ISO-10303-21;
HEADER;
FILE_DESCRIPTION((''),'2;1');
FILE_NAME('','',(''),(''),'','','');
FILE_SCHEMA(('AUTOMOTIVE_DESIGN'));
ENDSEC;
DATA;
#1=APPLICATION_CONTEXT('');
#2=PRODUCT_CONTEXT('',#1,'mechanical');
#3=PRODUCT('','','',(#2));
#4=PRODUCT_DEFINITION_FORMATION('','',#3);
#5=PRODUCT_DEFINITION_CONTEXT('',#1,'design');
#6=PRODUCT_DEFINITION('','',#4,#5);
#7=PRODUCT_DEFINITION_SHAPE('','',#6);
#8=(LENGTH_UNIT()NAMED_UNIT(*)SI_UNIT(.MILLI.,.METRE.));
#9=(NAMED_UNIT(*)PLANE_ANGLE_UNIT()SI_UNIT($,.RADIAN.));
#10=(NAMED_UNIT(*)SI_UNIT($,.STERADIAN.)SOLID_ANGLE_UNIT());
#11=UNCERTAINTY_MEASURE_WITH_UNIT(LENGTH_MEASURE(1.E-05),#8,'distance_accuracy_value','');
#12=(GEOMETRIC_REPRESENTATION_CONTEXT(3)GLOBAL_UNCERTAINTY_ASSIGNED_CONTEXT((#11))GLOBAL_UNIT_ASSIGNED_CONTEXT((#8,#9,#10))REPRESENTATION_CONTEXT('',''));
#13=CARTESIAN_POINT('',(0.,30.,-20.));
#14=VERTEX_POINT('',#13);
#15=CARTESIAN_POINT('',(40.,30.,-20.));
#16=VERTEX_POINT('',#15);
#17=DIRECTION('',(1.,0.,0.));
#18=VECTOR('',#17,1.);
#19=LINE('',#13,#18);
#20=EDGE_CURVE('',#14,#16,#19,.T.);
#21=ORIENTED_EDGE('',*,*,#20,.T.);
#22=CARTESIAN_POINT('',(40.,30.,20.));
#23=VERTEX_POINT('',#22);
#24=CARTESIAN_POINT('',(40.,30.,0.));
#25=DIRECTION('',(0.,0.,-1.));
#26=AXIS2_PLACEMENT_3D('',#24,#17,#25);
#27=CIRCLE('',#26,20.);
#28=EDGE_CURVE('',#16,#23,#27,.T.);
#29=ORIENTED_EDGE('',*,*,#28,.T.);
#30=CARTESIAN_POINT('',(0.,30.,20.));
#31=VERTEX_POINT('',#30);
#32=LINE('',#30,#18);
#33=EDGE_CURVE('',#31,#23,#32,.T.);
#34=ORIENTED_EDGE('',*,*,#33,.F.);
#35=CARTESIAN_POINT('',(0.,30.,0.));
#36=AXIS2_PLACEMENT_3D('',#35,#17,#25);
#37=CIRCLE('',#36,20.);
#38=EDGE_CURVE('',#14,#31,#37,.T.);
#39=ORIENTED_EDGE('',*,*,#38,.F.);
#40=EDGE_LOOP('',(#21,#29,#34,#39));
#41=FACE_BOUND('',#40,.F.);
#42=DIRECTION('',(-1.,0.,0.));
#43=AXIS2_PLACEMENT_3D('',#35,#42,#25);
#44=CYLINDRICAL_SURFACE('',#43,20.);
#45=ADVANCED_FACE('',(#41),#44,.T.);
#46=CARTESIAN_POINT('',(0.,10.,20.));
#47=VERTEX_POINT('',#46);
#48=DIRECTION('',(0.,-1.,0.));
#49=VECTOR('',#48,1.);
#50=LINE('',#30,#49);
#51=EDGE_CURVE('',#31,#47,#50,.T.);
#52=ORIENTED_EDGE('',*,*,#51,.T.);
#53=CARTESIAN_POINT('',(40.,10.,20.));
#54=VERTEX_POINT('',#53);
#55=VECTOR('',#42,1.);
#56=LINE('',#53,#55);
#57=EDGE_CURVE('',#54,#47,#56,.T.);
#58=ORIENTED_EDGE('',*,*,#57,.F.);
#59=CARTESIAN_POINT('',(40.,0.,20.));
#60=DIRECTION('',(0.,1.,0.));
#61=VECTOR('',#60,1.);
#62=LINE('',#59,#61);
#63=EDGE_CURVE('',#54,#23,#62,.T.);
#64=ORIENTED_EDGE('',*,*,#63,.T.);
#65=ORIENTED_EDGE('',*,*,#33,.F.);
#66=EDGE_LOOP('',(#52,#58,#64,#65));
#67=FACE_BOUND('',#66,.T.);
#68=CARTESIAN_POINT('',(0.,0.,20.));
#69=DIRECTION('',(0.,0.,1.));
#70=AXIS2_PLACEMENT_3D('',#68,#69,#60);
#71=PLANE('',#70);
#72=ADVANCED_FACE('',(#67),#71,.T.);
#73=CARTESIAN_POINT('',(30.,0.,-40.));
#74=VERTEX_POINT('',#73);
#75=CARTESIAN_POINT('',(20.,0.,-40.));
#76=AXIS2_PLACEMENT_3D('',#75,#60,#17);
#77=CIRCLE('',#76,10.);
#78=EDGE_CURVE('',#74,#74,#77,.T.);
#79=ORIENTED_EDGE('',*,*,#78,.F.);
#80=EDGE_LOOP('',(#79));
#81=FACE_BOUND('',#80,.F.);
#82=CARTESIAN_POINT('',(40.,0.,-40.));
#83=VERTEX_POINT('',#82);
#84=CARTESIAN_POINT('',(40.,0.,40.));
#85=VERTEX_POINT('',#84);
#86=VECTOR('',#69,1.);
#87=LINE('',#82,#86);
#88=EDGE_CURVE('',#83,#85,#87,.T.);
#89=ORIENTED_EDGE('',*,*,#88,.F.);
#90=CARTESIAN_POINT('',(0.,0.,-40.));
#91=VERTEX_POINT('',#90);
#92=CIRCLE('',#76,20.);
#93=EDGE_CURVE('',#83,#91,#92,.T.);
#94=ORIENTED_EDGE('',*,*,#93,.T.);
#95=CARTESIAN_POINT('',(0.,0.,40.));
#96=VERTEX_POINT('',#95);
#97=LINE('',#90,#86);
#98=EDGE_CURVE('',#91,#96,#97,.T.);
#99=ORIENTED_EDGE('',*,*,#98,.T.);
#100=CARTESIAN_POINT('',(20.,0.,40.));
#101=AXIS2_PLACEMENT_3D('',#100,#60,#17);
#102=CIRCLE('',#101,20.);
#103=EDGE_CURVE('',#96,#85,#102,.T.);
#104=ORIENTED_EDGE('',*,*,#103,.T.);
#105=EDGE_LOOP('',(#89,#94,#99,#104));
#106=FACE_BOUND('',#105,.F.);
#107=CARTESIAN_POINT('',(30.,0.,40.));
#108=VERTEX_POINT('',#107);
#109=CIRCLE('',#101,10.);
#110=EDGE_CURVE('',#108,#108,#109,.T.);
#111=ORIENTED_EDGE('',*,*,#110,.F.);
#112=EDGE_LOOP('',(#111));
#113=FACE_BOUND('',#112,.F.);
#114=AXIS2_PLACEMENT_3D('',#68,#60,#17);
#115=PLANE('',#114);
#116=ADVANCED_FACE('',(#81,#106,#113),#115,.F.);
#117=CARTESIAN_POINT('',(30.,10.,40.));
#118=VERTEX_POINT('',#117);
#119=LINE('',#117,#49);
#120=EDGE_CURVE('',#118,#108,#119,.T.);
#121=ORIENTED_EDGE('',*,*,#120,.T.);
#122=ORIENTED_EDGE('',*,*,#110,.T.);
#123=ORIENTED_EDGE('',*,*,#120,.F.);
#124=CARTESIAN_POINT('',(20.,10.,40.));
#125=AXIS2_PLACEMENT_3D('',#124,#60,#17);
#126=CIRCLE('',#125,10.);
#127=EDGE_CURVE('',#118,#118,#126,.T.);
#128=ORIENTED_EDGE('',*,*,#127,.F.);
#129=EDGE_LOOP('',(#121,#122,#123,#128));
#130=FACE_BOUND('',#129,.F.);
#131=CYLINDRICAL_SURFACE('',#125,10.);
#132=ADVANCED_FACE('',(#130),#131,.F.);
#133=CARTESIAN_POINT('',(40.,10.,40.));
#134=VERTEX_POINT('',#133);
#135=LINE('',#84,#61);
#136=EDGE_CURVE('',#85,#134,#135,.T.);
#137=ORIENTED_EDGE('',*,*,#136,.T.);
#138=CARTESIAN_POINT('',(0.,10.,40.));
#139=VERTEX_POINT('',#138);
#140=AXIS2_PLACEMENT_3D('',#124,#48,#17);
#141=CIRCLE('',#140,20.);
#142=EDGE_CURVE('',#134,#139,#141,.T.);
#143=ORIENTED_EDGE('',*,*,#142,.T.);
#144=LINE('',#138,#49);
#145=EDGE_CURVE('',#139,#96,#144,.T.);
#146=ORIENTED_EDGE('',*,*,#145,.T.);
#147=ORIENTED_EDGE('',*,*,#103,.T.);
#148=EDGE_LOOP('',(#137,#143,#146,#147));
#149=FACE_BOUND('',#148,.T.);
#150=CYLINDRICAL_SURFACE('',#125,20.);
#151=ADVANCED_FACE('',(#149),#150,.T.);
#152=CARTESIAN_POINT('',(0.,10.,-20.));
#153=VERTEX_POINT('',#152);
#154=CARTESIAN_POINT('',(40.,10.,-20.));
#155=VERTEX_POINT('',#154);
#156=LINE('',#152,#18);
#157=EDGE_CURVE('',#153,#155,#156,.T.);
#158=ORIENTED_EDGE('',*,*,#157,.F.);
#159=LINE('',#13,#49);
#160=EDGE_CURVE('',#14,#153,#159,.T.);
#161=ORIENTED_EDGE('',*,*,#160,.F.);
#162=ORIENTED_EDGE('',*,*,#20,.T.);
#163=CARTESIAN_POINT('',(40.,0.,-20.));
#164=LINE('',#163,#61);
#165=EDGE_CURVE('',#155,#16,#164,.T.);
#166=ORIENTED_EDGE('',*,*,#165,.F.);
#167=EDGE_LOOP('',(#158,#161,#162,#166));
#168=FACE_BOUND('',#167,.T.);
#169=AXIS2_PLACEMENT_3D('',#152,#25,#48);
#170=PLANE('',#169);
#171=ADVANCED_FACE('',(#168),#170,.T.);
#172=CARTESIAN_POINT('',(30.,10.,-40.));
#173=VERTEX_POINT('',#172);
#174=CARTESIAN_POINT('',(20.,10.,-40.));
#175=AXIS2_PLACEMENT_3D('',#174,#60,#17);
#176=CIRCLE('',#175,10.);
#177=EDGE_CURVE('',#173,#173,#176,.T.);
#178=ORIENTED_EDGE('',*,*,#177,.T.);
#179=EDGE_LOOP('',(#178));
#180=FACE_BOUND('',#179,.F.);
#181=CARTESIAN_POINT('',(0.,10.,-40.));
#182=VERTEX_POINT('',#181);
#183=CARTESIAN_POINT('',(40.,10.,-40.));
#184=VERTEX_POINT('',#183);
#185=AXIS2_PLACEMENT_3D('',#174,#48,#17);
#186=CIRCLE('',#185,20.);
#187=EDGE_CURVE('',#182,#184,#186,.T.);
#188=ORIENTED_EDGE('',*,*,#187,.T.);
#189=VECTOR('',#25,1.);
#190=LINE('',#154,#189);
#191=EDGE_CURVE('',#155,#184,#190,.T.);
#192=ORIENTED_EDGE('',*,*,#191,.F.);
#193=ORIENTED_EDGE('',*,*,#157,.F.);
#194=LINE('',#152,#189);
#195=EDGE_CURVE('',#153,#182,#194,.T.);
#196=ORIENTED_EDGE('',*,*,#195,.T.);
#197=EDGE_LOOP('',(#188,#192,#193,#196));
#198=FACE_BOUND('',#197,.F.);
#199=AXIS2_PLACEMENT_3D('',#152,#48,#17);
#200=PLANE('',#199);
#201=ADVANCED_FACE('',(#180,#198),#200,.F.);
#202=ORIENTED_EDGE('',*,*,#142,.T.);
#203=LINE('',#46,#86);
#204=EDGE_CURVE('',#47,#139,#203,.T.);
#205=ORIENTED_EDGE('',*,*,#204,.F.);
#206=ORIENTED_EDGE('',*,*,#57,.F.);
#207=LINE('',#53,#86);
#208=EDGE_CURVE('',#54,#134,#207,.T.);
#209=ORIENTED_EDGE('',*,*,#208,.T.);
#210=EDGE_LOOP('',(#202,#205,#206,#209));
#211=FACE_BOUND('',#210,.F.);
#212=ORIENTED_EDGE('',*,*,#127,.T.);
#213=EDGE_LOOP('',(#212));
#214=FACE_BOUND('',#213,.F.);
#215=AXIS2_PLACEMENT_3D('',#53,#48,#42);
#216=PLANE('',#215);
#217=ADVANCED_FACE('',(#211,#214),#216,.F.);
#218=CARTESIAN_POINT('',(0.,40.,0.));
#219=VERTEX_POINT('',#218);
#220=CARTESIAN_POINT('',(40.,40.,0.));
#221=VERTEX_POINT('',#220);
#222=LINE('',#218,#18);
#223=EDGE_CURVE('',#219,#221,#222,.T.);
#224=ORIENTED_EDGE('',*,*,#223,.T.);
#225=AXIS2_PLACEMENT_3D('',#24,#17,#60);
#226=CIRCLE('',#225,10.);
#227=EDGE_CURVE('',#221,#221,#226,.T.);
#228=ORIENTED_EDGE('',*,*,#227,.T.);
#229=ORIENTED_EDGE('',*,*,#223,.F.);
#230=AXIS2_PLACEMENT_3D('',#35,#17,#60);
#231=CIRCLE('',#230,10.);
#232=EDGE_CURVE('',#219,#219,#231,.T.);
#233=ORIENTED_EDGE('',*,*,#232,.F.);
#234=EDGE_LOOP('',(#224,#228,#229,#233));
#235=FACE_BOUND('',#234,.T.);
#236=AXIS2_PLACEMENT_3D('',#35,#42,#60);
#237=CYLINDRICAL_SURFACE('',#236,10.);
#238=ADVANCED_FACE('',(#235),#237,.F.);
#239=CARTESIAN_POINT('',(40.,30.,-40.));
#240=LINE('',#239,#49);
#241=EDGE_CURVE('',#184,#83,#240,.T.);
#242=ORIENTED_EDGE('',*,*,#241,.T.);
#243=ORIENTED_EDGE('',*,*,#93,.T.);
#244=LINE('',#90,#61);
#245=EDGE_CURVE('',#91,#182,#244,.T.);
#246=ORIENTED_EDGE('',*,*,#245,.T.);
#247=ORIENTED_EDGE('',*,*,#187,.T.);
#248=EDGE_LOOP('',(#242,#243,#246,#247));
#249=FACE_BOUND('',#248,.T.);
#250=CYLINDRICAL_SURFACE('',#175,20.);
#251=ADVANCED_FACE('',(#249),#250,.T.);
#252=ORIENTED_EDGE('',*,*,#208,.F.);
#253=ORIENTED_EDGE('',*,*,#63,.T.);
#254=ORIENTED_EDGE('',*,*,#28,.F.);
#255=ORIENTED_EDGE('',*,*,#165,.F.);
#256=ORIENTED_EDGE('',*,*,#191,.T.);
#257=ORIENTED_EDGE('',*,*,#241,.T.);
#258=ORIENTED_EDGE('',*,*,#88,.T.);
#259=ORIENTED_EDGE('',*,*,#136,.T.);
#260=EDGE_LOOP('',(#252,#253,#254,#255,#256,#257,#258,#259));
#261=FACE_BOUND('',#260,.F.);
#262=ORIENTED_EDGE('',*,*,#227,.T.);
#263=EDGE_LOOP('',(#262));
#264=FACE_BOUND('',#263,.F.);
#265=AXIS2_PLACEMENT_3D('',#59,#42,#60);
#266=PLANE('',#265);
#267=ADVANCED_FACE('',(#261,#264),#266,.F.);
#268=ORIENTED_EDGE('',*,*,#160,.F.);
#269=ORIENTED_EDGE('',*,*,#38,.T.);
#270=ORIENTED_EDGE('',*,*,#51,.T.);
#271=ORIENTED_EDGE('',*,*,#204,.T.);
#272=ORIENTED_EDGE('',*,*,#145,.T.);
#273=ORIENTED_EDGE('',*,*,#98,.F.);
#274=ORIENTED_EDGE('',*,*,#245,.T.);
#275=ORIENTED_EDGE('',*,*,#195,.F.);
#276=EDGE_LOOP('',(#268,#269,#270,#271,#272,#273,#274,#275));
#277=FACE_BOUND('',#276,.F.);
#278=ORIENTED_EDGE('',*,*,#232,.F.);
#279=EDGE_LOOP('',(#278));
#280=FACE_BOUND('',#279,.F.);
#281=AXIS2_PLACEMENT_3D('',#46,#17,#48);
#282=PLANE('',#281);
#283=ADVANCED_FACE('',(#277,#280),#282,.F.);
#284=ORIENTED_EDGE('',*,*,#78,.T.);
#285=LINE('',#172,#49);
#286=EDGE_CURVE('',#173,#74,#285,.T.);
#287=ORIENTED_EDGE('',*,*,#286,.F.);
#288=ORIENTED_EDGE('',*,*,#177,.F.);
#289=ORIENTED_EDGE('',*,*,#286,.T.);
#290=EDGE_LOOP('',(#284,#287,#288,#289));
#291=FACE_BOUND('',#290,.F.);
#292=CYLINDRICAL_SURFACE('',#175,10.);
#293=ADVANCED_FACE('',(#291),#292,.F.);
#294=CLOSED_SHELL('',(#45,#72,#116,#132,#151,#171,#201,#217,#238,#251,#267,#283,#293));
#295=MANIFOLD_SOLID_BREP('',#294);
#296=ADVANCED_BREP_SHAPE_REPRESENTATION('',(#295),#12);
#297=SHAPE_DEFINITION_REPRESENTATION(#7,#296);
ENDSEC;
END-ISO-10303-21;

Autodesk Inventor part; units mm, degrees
ref_plane "YZ Plane" through (0, 0, 0) normal (1, 0, 0) x (0, 1, 0)
ref_plane "XZ Plane" through (0, 0, 0) normal (0, 1, 0) x (-1, 0, 0)
ref_plane "XY Plane" through (0, 0, 0) normal (0, 0, 1) x (1, 0, 0)
sketch "Sketch1" plane through (0, 0, 0) normal (1, 0, 0) x (0, 1, 0)
  line L0 (0, 0) -> (0, -20)
  line L1 (0, 0) -> (20, 0) construction
  line L2 (0, 0) -> (0, 20)
  line L3 (0, 20) -> (10, 20)
  line L4 (10, 20) -> (10, -20)
  line L5 (10, -20) -> (0, -20)
  line L6 (10, 20) -> (30, 20)
  line L7 (10, -20) -> (30, -20)
  arc A0 (30, -20) -> (30, 20) centre (30, 0) ccw
  circle A1 centre (30, 0) radius 10
  line L8 (10, 20) -> (10, 40)
  line L9 (10, -20) -> (10, -40)
  line L10 (10, -40) -> (0, -40)
  line L11 (0, -40) -> (0, -20)
  line L12 (10, 40) -> (0, 40)
  line L13 (0, 40) -> (0, 20)
  dimension "d0" = 20
  dimension "d1" = 90
  dimension "d2" = 20
  dimension "d3" = 10
  dimension "d4" = 20
  dimension "d5" = 20
  dimension "d7" = 20
  dimension "d8" = 20
  dimension "d9" = 20
extrude "Extrusion1" add sketch "Sketch1" along normal blind 40 contours L2 L3 L4 L5 L0 | L4 L6 A0 L7
sketch "Sketch2" plane through (0, 0, -20) normal (0, 0, -1) x (-1, 0, 0)
  line L0 (-40, 30) -> (-40, 0) projected
  line L1 (-40, 0) -> (0, 0)
  line L2 (0, 0) -> (0, 10)
  line L3 (0, 10) -> (-40, 10)
  dimension "d12" = 10
extrude "Extrusion2" add sketch "Sketch2" along normal blind 20
sketch "Sketch3" plane through (0, 0, 20) normal (0, 0, 1) x (1, 0, 0)
  line L0 (0, 0) -> (40, 0) projected
  line L1 (0, 0) -> (40, 0)
  line L2 (40, 0) -> (40, 10)
  line L3 (40, 10) -> (0, 10)
  line L4 (0, 10) -> (0, 0)
  dimension "d15" = 10
extrude "Extrusion3" add sketch "Sketch3" along normal blind 20
sketch "Sketch4" plane through (0, 10, 20) normal (0, 1, 0) x (1, 0, 0)
  line L0 (40, -20) -> (0, -20) projected
  circle A0 centre (20, -20) radius 20
  circle A1 centre (20, -20) radius 10
  point P0 (0, 20)
  dimension "d18" = 40
  dimension "d19" = 20
extrude "Extrusion4" add sketch "Sketch4" against normal blind 10
sketch "Sketch5" plane through (0, 10, 20) normal (0, 1, 0) x (1, 0, 0)
  arc A0 (0, -20) -> (40, -20) centre (20, -20) ccw projected
  circle A1 centre (20, -20) radius 10
  point P0 (0, 20)
  dimension "d22" = 20
extrude "Extrusion5" cut sketch "Sketch5" against normal blind 10
sketch "Sketch6" plane through (0, 10, -20) normal (0, 1, 0) x (1, 0, 0)
  line L0 (40, 20) -> (0, 20) projected
  circle A0 centre (20, 20) radius 20
  circle A1 centre (20, 20) radius 10
  point P0 (0, -20)
  dimension "d25" = 40
  dimension "d26" = 20
extrude "Extrusion6" add sketch "Sketch6" against normal blind 10
sketch "Sketch7" plane through (0, 10, -20) normal (0, 1, 0) x (1, 0, 0)
  arc A0 (40, 20) -> (0, 20) centre (20, 20) ccw projected
  circle A1 centre (20, 20) radius 10
  point P0 (0, -20)
  dimension "d29" = 20
extrude "Extrusion7" cut sketch "Sketch7" against normal blind 10
properties part number "Actividad #1"
